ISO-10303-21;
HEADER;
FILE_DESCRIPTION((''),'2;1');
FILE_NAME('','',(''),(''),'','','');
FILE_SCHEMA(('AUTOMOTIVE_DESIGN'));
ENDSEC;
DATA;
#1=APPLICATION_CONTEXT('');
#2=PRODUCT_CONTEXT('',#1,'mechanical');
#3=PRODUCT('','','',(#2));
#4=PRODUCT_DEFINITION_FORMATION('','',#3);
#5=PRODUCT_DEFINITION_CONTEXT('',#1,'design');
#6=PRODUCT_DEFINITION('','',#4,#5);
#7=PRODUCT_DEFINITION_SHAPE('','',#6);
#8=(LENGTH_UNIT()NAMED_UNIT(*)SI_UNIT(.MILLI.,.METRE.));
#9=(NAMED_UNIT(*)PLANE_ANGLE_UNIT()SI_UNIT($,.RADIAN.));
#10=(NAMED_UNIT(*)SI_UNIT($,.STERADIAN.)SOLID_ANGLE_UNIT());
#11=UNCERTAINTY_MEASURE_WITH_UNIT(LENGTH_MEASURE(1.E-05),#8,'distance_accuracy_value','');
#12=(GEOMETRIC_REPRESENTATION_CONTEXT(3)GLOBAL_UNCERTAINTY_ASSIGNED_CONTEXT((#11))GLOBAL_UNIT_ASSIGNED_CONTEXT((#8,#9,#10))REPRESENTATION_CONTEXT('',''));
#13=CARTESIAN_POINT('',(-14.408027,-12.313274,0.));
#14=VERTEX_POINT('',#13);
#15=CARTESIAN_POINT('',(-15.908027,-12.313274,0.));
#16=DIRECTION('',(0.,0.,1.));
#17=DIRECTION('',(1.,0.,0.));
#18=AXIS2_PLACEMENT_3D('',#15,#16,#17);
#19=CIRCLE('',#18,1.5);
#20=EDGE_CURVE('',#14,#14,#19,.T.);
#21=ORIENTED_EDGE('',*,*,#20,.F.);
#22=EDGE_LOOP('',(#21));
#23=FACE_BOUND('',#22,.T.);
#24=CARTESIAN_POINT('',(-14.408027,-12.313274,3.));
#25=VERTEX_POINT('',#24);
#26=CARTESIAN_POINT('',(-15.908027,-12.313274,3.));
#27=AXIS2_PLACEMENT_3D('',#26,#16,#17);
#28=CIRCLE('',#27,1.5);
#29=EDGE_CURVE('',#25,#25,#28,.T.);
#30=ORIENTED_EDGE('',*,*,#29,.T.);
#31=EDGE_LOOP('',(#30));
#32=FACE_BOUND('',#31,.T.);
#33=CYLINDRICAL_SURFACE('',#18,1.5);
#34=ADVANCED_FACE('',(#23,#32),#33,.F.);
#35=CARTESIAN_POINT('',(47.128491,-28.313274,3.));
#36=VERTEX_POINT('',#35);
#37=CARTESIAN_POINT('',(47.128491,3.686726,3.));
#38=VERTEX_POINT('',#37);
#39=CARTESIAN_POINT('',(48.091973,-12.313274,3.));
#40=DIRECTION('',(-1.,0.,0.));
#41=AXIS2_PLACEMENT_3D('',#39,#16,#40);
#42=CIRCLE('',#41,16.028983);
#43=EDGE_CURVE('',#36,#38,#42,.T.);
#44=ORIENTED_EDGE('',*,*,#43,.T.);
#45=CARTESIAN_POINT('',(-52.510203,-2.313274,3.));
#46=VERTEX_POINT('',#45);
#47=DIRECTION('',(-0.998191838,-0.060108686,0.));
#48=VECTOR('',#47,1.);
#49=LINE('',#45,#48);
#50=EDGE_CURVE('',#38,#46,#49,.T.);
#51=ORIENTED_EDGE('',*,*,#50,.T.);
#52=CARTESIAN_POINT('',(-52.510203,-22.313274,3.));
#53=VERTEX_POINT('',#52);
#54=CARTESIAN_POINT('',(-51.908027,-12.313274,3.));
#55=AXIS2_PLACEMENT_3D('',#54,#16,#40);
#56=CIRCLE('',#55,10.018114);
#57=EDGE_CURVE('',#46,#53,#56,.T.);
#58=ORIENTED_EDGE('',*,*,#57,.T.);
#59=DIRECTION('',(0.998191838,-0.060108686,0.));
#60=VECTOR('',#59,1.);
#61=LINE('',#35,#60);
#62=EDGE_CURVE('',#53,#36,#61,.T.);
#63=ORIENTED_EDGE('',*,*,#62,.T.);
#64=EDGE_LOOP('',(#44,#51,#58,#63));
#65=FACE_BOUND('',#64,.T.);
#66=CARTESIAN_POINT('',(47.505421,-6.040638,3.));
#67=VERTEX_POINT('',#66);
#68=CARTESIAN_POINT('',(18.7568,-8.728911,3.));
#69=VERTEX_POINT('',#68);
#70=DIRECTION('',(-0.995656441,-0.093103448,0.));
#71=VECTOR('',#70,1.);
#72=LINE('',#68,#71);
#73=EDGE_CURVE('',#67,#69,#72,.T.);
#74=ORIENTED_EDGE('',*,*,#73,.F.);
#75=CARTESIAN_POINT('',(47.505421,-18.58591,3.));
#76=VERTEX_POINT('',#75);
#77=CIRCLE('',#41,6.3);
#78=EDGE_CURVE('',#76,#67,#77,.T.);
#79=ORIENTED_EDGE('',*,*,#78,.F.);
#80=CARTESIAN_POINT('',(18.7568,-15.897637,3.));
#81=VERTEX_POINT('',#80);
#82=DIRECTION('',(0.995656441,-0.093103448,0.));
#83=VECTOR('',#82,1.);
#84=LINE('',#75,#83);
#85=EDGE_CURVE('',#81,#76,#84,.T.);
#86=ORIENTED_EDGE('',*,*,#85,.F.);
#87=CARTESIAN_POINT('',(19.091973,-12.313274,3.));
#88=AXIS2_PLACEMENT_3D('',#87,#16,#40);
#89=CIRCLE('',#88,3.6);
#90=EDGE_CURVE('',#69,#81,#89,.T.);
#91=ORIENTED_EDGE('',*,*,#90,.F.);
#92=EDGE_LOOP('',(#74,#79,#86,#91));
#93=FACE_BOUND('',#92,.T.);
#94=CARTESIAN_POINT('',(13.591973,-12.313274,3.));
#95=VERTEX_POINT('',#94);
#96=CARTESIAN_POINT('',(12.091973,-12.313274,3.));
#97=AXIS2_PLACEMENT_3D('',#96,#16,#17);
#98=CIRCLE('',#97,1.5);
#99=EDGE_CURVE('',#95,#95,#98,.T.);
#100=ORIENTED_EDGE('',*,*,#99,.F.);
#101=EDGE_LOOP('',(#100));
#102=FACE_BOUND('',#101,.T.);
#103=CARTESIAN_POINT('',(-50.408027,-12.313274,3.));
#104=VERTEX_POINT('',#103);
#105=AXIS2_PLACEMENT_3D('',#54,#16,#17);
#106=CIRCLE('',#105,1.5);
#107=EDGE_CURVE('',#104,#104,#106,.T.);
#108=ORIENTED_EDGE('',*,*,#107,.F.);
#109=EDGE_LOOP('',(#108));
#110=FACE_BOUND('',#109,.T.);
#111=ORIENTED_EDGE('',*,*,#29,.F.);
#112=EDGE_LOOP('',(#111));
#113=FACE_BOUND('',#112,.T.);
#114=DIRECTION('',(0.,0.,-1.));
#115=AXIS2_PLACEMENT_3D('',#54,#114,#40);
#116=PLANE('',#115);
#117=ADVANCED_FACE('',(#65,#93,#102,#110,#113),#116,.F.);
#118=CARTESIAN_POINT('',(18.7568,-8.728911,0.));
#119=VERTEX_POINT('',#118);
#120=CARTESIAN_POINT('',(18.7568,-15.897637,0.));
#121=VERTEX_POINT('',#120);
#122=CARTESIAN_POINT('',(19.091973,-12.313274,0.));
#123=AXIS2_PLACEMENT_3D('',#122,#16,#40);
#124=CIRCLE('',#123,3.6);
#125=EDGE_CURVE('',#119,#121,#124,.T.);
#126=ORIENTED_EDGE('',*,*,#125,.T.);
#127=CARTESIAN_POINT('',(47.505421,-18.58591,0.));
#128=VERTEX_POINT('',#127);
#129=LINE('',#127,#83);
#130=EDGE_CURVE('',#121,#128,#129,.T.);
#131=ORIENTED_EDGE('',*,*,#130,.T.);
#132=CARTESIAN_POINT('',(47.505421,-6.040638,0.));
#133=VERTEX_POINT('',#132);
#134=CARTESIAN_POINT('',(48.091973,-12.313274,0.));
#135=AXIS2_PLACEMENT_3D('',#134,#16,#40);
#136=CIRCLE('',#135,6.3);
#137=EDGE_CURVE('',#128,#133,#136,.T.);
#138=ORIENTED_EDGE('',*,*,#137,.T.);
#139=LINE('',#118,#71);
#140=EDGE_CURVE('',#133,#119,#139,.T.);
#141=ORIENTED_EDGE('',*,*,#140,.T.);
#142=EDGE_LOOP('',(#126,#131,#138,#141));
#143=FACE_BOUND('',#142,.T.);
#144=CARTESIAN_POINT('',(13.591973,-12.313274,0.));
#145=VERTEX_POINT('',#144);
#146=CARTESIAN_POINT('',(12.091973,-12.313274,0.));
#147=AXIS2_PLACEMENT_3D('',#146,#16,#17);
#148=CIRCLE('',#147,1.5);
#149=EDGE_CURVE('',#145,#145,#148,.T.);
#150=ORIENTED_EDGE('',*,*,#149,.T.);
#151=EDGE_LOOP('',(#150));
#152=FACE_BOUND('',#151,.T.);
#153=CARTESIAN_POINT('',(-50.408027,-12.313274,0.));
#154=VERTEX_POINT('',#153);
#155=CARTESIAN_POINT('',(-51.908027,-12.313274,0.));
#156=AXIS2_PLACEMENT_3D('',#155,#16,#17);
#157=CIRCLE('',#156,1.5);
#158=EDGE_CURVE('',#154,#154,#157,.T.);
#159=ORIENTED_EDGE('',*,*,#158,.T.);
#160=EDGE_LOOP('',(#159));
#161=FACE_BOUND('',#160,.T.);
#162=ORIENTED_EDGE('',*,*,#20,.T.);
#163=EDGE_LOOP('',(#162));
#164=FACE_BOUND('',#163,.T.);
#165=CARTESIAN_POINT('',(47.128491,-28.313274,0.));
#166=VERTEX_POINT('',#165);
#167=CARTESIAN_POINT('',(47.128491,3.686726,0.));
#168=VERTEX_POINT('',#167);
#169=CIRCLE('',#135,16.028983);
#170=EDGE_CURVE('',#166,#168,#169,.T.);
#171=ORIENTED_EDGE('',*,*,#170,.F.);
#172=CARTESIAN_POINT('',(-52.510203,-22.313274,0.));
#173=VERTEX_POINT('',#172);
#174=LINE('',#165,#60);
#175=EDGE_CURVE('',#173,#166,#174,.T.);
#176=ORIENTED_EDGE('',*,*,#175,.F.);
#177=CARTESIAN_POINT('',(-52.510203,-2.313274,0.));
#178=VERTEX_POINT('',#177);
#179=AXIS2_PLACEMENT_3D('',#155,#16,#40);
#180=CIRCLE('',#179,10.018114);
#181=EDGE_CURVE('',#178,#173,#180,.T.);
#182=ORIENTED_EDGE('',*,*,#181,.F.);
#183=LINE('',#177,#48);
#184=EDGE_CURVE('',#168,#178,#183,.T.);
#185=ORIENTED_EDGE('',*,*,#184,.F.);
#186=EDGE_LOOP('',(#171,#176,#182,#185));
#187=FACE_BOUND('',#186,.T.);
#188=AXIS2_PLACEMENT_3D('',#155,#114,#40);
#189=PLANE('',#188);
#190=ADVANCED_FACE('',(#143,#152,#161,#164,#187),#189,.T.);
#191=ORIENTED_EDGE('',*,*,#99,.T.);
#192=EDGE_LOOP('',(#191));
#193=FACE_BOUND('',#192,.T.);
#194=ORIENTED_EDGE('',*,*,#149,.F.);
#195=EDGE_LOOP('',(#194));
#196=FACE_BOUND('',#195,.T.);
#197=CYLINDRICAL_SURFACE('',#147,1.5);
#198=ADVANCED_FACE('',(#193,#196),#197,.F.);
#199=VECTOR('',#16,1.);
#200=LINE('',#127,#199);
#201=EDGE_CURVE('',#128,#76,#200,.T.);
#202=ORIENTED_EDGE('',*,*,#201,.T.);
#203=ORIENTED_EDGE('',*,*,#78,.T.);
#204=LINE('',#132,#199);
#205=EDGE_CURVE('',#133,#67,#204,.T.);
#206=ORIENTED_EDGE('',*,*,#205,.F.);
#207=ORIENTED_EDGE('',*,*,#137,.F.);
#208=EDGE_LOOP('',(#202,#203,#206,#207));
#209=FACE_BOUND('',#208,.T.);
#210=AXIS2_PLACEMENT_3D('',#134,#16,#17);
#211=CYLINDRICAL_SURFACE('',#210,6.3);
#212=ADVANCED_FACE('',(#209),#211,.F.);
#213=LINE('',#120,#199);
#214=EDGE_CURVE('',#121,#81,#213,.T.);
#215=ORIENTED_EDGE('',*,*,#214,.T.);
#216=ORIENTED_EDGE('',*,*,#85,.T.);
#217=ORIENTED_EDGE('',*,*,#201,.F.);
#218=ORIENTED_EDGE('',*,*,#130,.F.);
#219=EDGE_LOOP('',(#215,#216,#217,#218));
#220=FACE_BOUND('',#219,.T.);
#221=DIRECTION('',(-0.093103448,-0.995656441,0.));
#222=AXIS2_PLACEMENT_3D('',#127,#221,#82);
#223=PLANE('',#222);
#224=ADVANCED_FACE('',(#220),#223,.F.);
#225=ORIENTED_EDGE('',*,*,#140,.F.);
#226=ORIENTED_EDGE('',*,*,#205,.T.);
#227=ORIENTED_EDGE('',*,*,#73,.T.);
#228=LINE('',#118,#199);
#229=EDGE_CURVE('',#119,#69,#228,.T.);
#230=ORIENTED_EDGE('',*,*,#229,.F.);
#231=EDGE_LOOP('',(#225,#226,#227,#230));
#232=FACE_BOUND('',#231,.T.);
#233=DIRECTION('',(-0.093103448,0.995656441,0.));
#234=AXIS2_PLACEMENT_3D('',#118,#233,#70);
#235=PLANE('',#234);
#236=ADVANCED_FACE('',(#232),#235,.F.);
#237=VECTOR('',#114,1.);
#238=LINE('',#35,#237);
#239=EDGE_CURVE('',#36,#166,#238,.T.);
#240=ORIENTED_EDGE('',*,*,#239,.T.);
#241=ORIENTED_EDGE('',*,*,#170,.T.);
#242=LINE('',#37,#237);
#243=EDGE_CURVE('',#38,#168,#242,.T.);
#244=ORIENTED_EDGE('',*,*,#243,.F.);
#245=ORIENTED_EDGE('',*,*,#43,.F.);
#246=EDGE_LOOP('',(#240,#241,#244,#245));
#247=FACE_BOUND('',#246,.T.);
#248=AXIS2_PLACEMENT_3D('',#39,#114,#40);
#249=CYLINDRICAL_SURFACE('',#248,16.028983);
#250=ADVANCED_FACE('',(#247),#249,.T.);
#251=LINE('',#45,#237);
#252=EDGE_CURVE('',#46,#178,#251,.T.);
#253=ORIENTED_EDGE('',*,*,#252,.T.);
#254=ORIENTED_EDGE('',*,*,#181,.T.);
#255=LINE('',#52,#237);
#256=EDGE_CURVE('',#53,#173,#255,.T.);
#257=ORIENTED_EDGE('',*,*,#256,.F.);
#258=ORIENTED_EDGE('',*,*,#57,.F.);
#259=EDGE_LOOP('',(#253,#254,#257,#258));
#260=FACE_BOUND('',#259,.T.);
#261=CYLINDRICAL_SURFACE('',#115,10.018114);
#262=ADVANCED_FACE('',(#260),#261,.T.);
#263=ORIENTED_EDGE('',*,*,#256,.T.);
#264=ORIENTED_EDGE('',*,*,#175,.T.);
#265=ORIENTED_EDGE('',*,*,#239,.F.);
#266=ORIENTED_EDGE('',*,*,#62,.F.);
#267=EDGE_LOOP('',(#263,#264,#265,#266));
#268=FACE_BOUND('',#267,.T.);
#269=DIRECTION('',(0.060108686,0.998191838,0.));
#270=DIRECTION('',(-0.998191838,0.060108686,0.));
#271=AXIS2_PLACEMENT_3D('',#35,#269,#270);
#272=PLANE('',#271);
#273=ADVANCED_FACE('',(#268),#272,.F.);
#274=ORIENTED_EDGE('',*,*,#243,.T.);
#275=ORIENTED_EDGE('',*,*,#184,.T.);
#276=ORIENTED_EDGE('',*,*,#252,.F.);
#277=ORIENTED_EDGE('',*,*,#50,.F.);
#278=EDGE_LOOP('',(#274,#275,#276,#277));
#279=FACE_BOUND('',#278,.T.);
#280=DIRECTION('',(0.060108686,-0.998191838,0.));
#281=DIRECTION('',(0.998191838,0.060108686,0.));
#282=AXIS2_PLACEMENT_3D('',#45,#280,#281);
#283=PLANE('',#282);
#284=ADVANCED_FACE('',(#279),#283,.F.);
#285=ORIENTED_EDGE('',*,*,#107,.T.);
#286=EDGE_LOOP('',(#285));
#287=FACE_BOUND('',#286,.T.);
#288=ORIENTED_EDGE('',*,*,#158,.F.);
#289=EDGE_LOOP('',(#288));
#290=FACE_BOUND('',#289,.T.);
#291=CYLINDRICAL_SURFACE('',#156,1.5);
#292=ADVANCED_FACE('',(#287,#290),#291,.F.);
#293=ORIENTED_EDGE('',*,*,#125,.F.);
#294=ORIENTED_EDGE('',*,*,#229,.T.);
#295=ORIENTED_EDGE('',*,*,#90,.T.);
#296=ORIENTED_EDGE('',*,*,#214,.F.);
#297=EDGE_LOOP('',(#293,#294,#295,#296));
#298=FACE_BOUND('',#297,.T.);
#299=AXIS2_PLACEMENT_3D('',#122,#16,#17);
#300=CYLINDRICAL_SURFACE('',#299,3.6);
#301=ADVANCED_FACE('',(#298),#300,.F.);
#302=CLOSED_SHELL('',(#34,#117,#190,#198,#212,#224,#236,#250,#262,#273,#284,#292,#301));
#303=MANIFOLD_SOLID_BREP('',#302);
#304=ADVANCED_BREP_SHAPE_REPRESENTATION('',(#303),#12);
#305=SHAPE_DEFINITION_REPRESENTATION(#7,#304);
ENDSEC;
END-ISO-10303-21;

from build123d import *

# Parameters (mm, degrees)
BOSS_EXTRUDE1_DEPTH = 3
SKETCH2_R           = 1.5
CUT_EXTRUDE1_DEPTH  = 3


with BuildPart() as part:
    # Sketch1 → Boss-Extrude1 (new body)
    with BuildSketch(Plane.XY):
        with BuildLine():
            Line((-52.51020312, -2.31327399), (47.128491464, 3.68672601))
            ThreePointArc((47.128491464, 3.68672601), (64.120955569, -12.31327399), (47.128491464, -28.31327399))
            Line((47.128491464, -28.31327399), (-52.51020312, -22.31327399))
            ThreePointArc((-52.51020312, -22.31327399), (-61.926141798, -12.31327399), (-52.51020312, -2.31327399))
        make_face()
    extrude(amount=BOSS_EXTRUDE1_DEPTH)

    # Sketch2 → Cut-Extrude1 (cut)
    with BuildSketch(Plane.XY.offset(3)):
        with Locations((12.091972574, -12.31327399)):
            Circle(SKETCH2_R)
        with Locations((-15.908027426, -12.31327399)):
            Circle(SKETCH2_R)
        with Locations((-51.908027426, -12.31327399)):
            Circle(SKETCH2_R)
        with BuildLine():
            Line((18.75680016, -8.728910804), (47.50542085, -6.040638414))
            ThreePointArc((47.50542085, -6.040638414), (54.391972574, -12.31327399), (47.50542085, -18.585909567))
            Line((47.50542085, -18.585909567), (18.75680016, -15.897637177))
            ThreePointArc((18.75680016, -15.897637177), (15.491972574, -12.31327399), (18.75680016, -8.728910804))
        make_face()
    extrude(amount=-CUT_EXTRUDE1_DEPTH, mode=Mode.SUBTRACT)


solid = part.part
